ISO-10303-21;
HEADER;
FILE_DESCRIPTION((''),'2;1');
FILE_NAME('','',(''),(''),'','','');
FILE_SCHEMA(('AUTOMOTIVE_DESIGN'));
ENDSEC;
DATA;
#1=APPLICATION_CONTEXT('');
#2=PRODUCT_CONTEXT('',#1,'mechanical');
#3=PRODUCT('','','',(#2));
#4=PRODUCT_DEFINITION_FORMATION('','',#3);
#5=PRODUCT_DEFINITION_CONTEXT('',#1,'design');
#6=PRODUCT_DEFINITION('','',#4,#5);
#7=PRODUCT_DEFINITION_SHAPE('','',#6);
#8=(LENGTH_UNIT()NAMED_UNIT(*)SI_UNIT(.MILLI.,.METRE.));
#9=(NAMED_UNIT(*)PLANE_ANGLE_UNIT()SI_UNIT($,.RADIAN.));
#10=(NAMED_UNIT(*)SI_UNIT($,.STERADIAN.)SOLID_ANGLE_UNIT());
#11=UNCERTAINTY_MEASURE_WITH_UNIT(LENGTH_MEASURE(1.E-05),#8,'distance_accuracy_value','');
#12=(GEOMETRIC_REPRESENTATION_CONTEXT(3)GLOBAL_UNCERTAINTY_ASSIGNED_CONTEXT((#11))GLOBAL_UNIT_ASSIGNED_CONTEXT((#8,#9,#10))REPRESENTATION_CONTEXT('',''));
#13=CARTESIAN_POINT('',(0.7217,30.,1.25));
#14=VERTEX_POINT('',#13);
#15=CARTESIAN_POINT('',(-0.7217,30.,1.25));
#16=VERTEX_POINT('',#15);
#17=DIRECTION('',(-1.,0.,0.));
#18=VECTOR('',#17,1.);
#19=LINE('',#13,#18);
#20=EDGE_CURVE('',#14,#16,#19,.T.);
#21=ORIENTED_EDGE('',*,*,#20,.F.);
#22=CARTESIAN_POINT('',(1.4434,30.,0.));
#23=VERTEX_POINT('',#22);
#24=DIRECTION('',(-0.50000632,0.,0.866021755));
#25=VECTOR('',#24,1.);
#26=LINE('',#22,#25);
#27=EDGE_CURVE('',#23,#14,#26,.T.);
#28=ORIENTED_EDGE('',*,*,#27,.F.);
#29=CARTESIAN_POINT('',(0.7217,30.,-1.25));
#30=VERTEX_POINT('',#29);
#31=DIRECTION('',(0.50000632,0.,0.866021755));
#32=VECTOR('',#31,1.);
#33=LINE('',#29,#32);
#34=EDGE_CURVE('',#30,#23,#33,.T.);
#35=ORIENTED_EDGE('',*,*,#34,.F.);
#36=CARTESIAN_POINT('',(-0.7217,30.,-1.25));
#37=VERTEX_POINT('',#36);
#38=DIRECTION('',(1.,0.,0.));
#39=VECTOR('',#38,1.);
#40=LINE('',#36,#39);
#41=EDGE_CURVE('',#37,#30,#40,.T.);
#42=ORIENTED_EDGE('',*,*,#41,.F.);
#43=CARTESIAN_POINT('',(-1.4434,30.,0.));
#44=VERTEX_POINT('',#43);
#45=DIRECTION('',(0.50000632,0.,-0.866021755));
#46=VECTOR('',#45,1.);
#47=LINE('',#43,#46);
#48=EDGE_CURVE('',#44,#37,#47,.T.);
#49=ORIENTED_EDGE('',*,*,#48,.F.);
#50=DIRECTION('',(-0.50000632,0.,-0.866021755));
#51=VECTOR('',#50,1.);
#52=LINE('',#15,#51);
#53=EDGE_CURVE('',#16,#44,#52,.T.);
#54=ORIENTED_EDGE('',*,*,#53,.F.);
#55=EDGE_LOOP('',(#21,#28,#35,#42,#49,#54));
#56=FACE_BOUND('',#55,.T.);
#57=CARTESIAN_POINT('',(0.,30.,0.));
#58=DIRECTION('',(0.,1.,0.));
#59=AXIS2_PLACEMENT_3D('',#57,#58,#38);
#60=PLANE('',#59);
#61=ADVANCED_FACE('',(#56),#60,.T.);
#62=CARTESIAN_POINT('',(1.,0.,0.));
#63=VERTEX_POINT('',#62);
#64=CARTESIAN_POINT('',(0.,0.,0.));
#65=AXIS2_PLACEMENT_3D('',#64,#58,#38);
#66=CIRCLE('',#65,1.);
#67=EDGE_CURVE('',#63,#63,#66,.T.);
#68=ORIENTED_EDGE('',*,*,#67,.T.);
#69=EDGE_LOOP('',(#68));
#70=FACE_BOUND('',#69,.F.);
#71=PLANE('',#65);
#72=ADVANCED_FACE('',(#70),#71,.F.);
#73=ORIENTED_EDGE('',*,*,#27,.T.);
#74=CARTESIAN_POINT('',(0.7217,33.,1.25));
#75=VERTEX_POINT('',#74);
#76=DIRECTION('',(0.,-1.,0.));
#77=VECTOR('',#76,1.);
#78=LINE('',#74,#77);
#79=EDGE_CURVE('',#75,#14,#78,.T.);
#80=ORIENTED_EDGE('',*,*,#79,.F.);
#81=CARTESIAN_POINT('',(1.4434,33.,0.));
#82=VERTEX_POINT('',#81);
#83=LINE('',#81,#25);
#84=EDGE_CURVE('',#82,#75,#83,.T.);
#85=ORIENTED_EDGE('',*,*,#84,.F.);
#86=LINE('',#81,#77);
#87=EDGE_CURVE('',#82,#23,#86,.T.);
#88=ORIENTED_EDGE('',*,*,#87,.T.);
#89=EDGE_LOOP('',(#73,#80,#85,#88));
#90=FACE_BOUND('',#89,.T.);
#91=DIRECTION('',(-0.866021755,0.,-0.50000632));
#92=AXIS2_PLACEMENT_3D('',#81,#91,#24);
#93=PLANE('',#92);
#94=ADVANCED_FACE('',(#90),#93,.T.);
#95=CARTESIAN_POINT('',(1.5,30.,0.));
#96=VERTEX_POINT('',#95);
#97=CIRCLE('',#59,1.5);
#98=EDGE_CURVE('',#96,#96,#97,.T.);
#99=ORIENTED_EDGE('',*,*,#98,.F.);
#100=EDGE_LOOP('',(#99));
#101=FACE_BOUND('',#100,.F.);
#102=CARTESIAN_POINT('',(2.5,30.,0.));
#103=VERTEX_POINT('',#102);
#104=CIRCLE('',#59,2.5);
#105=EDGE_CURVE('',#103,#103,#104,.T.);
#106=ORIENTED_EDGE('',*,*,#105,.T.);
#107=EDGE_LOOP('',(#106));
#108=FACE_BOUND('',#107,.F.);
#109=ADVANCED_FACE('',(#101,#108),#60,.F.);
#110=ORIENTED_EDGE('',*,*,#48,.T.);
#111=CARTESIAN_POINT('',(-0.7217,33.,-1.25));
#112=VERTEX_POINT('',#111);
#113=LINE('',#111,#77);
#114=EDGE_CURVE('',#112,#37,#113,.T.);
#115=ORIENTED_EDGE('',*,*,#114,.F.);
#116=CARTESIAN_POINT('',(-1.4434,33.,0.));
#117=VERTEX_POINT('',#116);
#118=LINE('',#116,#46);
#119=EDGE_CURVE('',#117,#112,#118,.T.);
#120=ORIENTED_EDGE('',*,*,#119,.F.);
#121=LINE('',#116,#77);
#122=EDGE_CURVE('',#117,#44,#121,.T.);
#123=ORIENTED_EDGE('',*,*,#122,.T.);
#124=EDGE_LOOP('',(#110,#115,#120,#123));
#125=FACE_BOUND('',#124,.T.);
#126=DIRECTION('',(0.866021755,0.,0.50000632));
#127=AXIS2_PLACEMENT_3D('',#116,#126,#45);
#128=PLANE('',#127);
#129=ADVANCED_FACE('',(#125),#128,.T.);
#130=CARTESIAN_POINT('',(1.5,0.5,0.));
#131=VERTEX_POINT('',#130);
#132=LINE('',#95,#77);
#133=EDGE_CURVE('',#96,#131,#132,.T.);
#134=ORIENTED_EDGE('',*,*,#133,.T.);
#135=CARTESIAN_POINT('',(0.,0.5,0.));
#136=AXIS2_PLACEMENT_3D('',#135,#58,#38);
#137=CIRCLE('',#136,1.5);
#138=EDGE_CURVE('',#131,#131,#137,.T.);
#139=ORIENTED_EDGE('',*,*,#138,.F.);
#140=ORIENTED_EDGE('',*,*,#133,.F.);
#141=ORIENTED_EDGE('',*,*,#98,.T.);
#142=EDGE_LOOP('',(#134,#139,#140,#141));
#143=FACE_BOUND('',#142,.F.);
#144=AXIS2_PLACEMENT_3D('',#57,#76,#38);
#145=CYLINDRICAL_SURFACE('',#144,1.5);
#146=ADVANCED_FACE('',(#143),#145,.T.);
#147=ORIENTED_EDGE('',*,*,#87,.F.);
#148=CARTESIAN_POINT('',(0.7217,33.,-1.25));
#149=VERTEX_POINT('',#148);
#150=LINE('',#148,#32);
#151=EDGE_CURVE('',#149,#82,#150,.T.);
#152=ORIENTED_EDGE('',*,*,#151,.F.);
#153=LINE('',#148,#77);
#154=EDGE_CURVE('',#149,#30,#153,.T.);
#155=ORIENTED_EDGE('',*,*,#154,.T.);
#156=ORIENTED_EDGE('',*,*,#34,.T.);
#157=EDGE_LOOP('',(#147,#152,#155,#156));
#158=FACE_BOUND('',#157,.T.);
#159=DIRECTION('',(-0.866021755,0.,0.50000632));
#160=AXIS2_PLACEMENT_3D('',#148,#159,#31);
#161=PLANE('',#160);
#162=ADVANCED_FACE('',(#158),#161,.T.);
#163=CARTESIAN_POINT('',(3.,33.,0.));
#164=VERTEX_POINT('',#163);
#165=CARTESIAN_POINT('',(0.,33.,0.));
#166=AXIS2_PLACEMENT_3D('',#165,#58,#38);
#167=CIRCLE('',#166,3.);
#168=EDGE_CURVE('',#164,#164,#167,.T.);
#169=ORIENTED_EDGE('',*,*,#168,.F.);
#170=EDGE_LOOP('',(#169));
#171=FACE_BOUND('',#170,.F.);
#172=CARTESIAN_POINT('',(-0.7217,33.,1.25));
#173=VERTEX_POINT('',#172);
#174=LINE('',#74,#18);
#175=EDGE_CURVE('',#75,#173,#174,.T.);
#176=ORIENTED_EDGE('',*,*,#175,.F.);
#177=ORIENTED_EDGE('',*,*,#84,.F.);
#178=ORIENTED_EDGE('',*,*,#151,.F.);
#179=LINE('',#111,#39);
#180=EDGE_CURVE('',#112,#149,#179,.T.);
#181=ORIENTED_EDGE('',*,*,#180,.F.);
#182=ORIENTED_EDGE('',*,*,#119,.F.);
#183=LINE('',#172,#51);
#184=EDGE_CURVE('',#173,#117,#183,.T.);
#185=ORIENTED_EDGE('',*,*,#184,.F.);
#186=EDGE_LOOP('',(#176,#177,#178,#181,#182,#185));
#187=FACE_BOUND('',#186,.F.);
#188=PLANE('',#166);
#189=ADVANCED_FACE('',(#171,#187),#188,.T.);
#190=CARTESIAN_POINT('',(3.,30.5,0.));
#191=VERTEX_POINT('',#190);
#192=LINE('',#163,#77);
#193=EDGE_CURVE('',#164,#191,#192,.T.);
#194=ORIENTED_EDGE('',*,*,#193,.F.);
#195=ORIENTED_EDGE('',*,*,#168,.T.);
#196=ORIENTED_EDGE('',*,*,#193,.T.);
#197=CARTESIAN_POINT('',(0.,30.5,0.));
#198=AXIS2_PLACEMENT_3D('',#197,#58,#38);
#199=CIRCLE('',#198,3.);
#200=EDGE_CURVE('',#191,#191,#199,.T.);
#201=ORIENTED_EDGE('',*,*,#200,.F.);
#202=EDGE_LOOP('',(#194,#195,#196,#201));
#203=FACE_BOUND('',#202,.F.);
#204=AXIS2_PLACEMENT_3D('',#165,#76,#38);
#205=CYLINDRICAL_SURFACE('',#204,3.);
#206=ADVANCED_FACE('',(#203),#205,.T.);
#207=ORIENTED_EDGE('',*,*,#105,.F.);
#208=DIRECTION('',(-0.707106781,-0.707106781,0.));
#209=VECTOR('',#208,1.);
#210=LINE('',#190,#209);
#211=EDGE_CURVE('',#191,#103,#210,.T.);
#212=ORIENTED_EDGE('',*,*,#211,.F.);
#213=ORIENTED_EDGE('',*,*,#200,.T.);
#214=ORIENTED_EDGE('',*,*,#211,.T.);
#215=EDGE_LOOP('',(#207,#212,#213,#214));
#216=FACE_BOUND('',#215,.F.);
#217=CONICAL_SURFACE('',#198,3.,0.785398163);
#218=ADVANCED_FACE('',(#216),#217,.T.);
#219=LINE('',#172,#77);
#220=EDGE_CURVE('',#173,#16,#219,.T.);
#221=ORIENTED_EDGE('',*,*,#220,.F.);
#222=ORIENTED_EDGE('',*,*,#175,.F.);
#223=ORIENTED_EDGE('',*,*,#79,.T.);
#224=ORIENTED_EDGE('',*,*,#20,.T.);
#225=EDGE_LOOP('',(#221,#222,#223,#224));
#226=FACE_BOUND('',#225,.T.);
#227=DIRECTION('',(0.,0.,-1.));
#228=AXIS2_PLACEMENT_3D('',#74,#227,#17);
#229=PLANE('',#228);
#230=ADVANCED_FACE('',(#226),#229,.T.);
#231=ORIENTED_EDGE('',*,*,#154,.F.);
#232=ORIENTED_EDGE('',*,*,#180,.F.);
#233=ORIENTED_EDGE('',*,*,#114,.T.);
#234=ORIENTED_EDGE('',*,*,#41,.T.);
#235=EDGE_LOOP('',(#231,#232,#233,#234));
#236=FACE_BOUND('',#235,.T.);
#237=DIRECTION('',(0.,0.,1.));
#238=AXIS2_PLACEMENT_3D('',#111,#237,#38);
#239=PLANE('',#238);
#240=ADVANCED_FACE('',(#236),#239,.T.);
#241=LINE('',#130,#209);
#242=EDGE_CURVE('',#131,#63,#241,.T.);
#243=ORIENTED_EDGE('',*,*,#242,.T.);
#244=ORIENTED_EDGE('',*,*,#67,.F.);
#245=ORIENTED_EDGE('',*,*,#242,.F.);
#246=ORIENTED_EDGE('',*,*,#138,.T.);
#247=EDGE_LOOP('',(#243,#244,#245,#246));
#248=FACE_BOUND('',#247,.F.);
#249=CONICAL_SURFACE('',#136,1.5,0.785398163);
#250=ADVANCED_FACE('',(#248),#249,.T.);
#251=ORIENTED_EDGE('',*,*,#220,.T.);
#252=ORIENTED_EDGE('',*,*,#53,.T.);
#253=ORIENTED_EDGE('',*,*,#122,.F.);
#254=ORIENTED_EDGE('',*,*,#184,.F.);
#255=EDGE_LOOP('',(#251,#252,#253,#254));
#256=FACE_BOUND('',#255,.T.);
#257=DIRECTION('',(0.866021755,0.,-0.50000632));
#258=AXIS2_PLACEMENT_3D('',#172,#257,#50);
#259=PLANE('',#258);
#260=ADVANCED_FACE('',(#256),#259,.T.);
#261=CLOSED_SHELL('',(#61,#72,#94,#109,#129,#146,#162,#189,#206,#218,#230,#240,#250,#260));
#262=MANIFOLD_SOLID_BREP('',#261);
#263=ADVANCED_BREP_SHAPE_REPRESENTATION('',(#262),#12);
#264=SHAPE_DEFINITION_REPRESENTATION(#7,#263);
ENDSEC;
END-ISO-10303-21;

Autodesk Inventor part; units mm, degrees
ref_plane "YZ Plane" through (0, 0, 0) normal (1, 0, 0) x (0, 1, 0)
ref_plane "XZ Plane" through (0, 0, 0) normal (0, 1, 0) x (-1, 0, 0)
ref_plane "XY Plane" through (0, 0, 0) normal (0, 0, 1) x (1, 0, 0)
sketch "Sketch1" plane through (0, 0, 0) normal (0, 0, 1) x (1, 0, 0)
  line L0 (0, 0) -> (0, 33)
  line L1 (0, 33) -> (3, 33)
  line L2 (3, 33) -> (3, 30)
  line L3 (3, 30) -> (1.5, 30)
  line L4 (1.5, 30) -> (1.5, 0)
  line L5 (1.5, 0) -> (0, 0)
  dimension "d0" = 30
  dimension "d1" = 1.5
  dimension "d2" = 3
  dimension "d3" = 3
revolve "Revolution1" add sketch "Sketch1" angle 360 about axis through (0, 0, 0) along (0, 1, 0)
sketch "Sketch2" plane through (0, 33, 0) normal (0, 1, 0) x (1, 0, 0)
  line L0 (0.7217, 1.25) -> (1.4434, 0)
  line L1 (1.4434, 0) -> (0.7217, -1.25)
  line L2 (0.7217, -1.25) -> (-0.7217, -1.25)
  line L3 (-0.7217, -1.25) -> (-1.4434, 0)
  line L4 (-1.4434, 0) -> (-0.7217, 1.25)
  line L5 (-0.7217, 1.25) -> (0.7217, 1.25)
  point P0 (0, 0)
  point P1 (0, 0)
  dimension "d5" = 2.5
extrude "Extrusion1" cut sketch "Sketch2" against normal blind 3
chamfer "Chamfer1" distance 0.5 angle 45 2 edges at (-3, 30, 0) (-1.5, 0, 0)
properties part number "M3x30 SHCS"
